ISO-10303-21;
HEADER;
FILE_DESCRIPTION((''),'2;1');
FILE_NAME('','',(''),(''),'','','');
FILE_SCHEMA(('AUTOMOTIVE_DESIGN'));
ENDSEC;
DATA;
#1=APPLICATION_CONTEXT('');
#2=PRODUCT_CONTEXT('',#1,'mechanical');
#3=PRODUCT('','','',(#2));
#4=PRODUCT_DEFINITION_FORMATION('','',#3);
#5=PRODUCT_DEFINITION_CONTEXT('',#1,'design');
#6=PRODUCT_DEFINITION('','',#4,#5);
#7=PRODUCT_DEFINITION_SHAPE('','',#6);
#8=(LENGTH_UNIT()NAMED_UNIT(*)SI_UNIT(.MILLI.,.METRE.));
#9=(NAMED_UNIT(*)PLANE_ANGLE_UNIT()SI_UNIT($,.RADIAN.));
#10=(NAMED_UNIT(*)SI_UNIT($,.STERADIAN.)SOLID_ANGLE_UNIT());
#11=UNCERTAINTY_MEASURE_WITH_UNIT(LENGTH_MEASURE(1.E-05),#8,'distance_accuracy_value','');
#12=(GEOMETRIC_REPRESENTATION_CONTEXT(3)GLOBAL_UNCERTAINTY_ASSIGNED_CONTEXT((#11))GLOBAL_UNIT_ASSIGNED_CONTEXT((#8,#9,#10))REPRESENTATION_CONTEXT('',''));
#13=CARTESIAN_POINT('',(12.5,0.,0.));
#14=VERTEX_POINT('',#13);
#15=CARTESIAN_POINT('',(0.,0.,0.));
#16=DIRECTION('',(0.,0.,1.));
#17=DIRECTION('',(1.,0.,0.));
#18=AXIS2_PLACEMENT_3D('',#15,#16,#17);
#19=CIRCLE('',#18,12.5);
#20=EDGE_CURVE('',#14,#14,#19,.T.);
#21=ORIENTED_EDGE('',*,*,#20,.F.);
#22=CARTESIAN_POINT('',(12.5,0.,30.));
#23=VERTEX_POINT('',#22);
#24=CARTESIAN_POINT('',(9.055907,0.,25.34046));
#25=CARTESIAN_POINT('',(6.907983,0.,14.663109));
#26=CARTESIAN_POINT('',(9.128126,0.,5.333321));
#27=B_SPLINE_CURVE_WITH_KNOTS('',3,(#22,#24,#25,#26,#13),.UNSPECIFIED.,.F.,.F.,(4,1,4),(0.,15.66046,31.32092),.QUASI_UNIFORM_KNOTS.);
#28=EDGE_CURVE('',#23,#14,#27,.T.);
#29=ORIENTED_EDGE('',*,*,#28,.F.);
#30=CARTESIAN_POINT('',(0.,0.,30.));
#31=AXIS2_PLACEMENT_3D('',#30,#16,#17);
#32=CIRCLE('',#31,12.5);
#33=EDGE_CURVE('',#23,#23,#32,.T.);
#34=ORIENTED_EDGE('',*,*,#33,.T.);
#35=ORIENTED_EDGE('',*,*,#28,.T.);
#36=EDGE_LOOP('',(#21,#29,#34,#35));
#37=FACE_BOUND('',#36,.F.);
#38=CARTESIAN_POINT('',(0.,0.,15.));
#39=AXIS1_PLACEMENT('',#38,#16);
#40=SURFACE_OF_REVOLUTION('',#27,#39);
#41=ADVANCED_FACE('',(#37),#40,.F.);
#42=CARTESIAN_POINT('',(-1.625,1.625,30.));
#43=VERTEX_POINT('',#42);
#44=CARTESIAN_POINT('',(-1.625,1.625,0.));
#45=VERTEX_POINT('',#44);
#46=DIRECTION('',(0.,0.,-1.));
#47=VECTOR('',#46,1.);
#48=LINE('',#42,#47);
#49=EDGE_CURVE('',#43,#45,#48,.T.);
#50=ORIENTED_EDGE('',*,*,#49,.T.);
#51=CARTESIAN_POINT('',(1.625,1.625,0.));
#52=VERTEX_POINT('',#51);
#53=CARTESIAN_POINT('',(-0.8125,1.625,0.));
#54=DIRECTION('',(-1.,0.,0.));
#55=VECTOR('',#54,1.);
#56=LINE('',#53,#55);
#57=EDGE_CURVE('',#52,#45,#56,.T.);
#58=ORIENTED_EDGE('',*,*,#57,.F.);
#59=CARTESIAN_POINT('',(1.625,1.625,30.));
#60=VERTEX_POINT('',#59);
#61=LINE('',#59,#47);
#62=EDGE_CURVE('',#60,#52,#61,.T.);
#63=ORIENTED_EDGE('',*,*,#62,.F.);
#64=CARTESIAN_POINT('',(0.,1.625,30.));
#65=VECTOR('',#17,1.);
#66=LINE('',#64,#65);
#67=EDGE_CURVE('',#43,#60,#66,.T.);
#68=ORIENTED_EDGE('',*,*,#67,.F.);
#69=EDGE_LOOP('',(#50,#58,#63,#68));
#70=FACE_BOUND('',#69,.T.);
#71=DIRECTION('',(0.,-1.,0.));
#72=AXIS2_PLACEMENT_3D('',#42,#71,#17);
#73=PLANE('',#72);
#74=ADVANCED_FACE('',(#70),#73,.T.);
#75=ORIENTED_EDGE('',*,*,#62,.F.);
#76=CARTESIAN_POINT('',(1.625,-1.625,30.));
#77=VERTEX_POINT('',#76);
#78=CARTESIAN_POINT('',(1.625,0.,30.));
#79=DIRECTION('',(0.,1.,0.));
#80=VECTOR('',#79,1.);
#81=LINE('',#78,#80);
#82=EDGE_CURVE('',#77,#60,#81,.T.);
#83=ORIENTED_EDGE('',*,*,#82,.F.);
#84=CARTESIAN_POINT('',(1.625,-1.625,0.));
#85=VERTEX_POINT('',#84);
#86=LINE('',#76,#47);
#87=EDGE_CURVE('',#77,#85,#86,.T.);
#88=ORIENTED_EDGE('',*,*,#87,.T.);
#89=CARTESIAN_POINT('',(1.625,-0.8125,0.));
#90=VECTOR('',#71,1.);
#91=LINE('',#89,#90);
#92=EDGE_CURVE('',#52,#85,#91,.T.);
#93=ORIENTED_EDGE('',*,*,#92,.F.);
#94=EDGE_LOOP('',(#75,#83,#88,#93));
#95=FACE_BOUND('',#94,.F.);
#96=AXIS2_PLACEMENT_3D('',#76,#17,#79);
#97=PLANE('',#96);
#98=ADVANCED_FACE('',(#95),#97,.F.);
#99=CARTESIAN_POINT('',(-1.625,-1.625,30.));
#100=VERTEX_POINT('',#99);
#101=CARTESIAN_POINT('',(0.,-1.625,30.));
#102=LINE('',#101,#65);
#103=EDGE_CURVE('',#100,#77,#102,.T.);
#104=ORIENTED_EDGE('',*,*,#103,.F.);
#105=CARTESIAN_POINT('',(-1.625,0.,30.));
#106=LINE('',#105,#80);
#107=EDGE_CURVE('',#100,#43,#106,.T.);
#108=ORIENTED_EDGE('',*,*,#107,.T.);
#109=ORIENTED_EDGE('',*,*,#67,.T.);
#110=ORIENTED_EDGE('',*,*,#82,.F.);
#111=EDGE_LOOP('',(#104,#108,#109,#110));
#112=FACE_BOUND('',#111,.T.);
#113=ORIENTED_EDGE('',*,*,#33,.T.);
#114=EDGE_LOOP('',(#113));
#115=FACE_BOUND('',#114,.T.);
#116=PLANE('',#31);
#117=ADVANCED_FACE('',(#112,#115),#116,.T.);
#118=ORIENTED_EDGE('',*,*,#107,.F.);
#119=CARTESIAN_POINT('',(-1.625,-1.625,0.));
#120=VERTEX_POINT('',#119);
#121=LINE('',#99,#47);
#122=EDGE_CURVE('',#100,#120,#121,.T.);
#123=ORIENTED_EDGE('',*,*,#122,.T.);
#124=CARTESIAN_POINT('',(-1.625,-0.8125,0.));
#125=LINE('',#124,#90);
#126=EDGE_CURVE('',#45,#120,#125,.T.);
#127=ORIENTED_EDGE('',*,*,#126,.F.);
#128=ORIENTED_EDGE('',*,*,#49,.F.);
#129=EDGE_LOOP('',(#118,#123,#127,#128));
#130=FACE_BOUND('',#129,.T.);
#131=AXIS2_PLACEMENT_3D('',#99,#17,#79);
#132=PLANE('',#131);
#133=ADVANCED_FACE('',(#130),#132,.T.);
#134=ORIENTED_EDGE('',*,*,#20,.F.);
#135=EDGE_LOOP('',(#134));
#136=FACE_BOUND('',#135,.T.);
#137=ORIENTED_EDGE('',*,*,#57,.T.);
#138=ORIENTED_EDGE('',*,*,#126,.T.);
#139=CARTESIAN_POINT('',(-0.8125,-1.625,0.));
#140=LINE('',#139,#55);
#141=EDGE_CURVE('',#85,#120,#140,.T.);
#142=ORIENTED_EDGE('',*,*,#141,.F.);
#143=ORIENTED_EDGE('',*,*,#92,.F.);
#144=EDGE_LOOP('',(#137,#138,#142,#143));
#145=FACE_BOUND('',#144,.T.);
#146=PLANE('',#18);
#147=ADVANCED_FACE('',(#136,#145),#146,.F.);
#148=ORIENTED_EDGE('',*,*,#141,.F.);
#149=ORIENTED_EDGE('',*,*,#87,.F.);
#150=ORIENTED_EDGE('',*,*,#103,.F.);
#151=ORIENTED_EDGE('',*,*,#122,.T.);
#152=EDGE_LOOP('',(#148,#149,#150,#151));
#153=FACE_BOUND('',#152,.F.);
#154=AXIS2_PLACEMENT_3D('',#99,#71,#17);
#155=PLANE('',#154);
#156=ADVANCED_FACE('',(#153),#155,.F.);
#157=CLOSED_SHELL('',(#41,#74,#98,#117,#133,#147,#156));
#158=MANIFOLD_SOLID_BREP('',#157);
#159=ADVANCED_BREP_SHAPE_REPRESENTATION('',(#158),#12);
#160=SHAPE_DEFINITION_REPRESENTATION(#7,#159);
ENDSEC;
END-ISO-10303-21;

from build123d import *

# Parameters (mm, degrees)
F2_W     = 3.25
F2_H     = 3.25
F3_DEPTH = 30.001


with BuildPart() as f1:
    # F0 (on Front) → F1 (revolve)
    with BuildSketch(Plane.XZ):
        with BuildLine():
            Line((0, 30), (0, 0))
            Line((0, 0), (12.5, 0))
            add(Edge.make_bspline(
                [(12.5, 30), (9.055907, 25.34046), (6.907983, 14.663109), (9.128126, 5.333321), (12.5, 0)],
                knots=[0, 0, 0, 0, 15.66046, 31.32092, 31.32092, 31.32092, 31.32092], degree=3))
            Line((12.5, 30), (0, 30))
        make_face()
    revolve(axis=Axis((0, 0, 15), (0, 0, 1)))

    # F2 (on face) → F3 (cut, through all)
    with BuildSketch(Plane.XY.offset(30)):
        Rectangle(F2_W, F2_H)
    extrude(amount=-F3_DEPTH, mode=Mode.SUBTRACT)


solid = f1.part
